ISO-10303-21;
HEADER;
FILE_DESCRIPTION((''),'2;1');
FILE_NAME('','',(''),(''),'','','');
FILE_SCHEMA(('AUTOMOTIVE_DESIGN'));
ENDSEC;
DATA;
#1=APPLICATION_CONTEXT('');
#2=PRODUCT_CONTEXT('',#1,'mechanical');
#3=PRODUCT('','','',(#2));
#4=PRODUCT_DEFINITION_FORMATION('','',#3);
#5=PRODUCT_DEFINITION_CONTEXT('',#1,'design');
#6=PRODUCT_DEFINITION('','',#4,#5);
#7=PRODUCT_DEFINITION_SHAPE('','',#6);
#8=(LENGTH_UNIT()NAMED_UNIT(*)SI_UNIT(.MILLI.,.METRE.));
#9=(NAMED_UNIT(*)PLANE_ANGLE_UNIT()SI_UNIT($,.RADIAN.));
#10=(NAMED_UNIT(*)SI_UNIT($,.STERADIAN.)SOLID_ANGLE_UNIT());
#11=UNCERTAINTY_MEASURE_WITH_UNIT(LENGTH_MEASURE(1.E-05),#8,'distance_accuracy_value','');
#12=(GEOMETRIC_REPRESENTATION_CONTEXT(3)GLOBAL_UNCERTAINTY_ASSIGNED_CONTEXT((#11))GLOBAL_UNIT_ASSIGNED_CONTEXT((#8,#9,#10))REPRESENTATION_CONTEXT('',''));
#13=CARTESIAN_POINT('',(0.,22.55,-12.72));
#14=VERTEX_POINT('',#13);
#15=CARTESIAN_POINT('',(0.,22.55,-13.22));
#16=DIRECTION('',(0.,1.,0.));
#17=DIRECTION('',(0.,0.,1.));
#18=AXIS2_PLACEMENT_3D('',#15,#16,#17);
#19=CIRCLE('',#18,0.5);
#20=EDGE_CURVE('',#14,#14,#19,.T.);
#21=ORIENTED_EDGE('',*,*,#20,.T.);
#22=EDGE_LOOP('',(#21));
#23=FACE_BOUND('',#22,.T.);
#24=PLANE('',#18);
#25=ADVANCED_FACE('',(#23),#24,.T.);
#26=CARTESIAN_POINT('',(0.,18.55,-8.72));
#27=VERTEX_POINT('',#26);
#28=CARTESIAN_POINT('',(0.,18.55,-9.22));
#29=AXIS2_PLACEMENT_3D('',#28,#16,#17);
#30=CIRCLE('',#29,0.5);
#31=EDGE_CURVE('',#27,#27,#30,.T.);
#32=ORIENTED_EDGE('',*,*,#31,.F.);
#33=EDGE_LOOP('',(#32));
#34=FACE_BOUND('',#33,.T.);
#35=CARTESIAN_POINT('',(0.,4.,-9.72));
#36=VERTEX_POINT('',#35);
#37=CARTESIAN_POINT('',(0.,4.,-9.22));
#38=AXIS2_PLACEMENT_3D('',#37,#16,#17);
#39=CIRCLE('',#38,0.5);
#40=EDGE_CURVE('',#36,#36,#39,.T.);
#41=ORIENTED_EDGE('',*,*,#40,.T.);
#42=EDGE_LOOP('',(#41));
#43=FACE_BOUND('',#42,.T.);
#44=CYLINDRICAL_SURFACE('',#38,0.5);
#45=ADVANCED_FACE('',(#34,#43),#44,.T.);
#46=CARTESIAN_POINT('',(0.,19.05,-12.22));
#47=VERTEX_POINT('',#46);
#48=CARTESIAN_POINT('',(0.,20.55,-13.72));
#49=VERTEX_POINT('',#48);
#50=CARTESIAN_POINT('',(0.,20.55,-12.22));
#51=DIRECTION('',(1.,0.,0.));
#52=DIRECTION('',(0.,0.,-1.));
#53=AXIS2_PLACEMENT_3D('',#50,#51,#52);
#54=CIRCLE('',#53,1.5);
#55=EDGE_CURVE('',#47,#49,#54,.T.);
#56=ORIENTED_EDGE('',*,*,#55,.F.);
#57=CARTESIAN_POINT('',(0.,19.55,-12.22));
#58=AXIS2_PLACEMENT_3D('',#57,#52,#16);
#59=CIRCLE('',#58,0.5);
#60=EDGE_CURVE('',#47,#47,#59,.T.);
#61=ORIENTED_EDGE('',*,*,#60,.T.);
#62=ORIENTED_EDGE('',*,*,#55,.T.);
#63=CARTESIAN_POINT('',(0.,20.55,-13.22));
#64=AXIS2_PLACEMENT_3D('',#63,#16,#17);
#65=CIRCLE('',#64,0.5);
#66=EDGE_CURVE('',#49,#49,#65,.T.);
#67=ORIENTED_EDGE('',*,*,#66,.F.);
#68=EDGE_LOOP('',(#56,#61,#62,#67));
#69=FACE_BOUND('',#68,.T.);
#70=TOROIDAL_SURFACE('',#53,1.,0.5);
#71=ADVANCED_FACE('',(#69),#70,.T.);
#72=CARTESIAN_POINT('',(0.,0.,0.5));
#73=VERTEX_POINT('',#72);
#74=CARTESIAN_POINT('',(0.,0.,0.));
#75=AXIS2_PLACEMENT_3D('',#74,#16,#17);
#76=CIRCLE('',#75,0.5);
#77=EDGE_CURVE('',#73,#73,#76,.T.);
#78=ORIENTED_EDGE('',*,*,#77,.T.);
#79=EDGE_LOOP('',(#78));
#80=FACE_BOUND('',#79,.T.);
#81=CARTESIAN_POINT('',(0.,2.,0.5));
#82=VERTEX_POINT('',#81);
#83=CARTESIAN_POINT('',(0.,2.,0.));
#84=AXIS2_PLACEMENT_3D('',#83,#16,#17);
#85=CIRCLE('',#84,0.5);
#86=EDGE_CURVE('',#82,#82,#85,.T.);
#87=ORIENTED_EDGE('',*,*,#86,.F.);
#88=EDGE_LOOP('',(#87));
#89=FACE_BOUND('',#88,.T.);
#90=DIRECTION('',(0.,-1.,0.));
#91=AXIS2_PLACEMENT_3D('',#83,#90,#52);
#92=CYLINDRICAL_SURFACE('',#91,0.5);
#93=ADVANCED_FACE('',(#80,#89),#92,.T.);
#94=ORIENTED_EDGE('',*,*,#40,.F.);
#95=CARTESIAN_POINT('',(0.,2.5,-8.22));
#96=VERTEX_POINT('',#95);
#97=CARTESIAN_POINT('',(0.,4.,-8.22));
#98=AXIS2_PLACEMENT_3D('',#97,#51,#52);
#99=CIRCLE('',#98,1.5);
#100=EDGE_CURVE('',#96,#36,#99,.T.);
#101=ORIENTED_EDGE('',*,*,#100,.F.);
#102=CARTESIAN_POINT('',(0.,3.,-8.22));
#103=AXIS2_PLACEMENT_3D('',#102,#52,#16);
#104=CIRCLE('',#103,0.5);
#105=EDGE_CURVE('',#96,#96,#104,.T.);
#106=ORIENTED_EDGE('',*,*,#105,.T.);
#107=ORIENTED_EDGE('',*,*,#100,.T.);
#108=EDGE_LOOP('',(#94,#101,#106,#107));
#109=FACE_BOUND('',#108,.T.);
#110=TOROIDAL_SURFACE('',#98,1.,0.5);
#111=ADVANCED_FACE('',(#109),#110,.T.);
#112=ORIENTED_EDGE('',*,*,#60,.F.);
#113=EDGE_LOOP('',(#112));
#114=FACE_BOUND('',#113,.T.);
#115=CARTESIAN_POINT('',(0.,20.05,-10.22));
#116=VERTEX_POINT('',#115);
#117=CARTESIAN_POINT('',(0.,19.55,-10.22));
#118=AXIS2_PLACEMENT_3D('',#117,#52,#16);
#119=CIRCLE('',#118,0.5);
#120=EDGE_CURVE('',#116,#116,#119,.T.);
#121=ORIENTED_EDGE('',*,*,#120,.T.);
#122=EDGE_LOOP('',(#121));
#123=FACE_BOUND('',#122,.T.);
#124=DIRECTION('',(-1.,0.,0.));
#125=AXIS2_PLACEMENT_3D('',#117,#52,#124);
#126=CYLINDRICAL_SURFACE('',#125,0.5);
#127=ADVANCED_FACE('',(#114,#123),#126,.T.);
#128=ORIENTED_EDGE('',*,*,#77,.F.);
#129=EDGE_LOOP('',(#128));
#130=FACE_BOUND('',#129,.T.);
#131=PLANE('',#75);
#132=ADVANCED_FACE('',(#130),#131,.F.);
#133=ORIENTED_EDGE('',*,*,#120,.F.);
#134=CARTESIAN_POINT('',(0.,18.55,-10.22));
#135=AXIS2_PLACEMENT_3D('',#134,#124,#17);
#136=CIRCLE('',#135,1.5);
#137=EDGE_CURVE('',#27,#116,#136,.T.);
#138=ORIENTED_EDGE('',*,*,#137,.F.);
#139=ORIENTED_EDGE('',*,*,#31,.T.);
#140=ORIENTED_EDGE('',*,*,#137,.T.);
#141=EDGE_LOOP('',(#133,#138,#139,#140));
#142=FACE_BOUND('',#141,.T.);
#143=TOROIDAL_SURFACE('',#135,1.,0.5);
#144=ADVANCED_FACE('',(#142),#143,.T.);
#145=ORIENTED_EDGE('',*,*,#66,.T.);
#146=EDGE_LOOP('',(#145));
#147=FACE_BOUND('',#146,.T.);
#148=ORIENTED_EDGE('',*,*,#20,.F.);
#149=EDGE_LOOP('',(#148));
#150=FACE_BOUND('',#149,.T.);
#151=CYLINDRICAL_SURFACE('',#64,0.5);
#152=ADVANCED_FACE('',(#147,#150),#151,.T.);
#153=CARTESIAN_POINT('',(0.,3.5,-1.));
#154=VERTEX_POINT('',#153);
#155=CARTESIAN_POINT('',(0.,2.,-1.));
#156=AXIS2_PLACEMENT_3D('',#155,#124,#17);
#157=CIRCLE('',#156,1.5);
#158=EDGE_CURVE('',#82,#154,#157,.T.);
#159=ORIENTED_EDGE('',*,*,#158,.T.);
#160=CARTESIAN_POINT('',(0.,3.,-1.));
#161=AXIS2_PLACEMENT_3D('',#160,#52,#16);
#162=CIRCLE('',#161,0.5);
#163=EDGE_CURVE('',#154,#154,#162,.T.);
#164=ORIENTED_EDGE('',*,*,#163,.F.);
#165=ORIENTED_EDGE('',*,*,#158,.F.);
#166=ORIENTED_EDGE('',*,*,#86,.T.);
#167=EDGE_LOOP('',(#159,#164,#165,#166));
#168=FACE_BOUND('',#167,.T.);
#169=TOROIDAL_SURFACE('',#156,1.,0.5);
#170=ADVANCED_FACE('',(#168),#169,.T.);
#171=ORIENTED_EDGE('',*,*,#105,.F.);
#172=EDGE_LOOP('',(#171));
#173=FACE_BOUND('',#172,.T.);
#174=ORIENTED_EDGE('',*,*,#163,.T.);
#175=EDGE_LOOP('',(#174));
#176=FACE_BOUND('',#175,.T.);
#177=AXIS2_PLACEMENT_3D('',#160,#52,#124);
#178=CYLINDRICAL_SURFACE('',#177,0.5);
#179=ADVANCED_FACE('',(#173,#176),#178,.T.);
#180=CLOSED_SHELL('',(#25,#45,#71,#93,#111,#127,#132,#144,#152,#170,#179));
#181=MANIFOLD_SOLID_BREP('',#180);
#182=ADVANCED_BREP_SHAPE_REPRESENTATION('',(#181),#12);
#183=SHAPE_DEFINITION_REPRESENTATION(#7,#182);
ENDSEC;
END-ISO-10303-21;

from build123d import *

# Parameters (mm, degrees)
SKETCH2_R = 0.5


with BuildPart() as part:
    # Sweep1: sweep along a path in Sketch1
    with BuildLine(Plane(origin=(0, 0, 0), x_dir=(0, 0, -1), z_dir=(1, 0, 0))) as sweep1_path:
        Line((0, 0), (0, 2))
        ThreePointArc((0, 2), (0.292893219, 2.707106781), (1, 3))
        Line((1, 3), (8.22, 3))
        ThreePointArc((8.22, 3), (8.927106781, 3.292893219), (9.22, 4))
        Line((9.22, 4), (9.22, 18.55))
        ThreePointArc((9.22, 18.55), (9.512893219, 19.257106781), (10.22, 19.55))
        Line((10.22, 19.55), (12.22, 19.55))
        ThreePointArc((12.22, 19.55), (12.927106781, 19.842893219), (13.22, 20.55))
        Line((13.22, 20.55), (13.22, 22.55))
    # Sketch2 → Sweep1 (sweep)
    with BuildSketch(Plane(origin=(0, 0, 0), x_dir=(1, 0, 0), z_dir=(0, 1, 0))):
        Circle(SKETCH2_R)
    sweep(path=sweep1_path.line)


solid = part.part
